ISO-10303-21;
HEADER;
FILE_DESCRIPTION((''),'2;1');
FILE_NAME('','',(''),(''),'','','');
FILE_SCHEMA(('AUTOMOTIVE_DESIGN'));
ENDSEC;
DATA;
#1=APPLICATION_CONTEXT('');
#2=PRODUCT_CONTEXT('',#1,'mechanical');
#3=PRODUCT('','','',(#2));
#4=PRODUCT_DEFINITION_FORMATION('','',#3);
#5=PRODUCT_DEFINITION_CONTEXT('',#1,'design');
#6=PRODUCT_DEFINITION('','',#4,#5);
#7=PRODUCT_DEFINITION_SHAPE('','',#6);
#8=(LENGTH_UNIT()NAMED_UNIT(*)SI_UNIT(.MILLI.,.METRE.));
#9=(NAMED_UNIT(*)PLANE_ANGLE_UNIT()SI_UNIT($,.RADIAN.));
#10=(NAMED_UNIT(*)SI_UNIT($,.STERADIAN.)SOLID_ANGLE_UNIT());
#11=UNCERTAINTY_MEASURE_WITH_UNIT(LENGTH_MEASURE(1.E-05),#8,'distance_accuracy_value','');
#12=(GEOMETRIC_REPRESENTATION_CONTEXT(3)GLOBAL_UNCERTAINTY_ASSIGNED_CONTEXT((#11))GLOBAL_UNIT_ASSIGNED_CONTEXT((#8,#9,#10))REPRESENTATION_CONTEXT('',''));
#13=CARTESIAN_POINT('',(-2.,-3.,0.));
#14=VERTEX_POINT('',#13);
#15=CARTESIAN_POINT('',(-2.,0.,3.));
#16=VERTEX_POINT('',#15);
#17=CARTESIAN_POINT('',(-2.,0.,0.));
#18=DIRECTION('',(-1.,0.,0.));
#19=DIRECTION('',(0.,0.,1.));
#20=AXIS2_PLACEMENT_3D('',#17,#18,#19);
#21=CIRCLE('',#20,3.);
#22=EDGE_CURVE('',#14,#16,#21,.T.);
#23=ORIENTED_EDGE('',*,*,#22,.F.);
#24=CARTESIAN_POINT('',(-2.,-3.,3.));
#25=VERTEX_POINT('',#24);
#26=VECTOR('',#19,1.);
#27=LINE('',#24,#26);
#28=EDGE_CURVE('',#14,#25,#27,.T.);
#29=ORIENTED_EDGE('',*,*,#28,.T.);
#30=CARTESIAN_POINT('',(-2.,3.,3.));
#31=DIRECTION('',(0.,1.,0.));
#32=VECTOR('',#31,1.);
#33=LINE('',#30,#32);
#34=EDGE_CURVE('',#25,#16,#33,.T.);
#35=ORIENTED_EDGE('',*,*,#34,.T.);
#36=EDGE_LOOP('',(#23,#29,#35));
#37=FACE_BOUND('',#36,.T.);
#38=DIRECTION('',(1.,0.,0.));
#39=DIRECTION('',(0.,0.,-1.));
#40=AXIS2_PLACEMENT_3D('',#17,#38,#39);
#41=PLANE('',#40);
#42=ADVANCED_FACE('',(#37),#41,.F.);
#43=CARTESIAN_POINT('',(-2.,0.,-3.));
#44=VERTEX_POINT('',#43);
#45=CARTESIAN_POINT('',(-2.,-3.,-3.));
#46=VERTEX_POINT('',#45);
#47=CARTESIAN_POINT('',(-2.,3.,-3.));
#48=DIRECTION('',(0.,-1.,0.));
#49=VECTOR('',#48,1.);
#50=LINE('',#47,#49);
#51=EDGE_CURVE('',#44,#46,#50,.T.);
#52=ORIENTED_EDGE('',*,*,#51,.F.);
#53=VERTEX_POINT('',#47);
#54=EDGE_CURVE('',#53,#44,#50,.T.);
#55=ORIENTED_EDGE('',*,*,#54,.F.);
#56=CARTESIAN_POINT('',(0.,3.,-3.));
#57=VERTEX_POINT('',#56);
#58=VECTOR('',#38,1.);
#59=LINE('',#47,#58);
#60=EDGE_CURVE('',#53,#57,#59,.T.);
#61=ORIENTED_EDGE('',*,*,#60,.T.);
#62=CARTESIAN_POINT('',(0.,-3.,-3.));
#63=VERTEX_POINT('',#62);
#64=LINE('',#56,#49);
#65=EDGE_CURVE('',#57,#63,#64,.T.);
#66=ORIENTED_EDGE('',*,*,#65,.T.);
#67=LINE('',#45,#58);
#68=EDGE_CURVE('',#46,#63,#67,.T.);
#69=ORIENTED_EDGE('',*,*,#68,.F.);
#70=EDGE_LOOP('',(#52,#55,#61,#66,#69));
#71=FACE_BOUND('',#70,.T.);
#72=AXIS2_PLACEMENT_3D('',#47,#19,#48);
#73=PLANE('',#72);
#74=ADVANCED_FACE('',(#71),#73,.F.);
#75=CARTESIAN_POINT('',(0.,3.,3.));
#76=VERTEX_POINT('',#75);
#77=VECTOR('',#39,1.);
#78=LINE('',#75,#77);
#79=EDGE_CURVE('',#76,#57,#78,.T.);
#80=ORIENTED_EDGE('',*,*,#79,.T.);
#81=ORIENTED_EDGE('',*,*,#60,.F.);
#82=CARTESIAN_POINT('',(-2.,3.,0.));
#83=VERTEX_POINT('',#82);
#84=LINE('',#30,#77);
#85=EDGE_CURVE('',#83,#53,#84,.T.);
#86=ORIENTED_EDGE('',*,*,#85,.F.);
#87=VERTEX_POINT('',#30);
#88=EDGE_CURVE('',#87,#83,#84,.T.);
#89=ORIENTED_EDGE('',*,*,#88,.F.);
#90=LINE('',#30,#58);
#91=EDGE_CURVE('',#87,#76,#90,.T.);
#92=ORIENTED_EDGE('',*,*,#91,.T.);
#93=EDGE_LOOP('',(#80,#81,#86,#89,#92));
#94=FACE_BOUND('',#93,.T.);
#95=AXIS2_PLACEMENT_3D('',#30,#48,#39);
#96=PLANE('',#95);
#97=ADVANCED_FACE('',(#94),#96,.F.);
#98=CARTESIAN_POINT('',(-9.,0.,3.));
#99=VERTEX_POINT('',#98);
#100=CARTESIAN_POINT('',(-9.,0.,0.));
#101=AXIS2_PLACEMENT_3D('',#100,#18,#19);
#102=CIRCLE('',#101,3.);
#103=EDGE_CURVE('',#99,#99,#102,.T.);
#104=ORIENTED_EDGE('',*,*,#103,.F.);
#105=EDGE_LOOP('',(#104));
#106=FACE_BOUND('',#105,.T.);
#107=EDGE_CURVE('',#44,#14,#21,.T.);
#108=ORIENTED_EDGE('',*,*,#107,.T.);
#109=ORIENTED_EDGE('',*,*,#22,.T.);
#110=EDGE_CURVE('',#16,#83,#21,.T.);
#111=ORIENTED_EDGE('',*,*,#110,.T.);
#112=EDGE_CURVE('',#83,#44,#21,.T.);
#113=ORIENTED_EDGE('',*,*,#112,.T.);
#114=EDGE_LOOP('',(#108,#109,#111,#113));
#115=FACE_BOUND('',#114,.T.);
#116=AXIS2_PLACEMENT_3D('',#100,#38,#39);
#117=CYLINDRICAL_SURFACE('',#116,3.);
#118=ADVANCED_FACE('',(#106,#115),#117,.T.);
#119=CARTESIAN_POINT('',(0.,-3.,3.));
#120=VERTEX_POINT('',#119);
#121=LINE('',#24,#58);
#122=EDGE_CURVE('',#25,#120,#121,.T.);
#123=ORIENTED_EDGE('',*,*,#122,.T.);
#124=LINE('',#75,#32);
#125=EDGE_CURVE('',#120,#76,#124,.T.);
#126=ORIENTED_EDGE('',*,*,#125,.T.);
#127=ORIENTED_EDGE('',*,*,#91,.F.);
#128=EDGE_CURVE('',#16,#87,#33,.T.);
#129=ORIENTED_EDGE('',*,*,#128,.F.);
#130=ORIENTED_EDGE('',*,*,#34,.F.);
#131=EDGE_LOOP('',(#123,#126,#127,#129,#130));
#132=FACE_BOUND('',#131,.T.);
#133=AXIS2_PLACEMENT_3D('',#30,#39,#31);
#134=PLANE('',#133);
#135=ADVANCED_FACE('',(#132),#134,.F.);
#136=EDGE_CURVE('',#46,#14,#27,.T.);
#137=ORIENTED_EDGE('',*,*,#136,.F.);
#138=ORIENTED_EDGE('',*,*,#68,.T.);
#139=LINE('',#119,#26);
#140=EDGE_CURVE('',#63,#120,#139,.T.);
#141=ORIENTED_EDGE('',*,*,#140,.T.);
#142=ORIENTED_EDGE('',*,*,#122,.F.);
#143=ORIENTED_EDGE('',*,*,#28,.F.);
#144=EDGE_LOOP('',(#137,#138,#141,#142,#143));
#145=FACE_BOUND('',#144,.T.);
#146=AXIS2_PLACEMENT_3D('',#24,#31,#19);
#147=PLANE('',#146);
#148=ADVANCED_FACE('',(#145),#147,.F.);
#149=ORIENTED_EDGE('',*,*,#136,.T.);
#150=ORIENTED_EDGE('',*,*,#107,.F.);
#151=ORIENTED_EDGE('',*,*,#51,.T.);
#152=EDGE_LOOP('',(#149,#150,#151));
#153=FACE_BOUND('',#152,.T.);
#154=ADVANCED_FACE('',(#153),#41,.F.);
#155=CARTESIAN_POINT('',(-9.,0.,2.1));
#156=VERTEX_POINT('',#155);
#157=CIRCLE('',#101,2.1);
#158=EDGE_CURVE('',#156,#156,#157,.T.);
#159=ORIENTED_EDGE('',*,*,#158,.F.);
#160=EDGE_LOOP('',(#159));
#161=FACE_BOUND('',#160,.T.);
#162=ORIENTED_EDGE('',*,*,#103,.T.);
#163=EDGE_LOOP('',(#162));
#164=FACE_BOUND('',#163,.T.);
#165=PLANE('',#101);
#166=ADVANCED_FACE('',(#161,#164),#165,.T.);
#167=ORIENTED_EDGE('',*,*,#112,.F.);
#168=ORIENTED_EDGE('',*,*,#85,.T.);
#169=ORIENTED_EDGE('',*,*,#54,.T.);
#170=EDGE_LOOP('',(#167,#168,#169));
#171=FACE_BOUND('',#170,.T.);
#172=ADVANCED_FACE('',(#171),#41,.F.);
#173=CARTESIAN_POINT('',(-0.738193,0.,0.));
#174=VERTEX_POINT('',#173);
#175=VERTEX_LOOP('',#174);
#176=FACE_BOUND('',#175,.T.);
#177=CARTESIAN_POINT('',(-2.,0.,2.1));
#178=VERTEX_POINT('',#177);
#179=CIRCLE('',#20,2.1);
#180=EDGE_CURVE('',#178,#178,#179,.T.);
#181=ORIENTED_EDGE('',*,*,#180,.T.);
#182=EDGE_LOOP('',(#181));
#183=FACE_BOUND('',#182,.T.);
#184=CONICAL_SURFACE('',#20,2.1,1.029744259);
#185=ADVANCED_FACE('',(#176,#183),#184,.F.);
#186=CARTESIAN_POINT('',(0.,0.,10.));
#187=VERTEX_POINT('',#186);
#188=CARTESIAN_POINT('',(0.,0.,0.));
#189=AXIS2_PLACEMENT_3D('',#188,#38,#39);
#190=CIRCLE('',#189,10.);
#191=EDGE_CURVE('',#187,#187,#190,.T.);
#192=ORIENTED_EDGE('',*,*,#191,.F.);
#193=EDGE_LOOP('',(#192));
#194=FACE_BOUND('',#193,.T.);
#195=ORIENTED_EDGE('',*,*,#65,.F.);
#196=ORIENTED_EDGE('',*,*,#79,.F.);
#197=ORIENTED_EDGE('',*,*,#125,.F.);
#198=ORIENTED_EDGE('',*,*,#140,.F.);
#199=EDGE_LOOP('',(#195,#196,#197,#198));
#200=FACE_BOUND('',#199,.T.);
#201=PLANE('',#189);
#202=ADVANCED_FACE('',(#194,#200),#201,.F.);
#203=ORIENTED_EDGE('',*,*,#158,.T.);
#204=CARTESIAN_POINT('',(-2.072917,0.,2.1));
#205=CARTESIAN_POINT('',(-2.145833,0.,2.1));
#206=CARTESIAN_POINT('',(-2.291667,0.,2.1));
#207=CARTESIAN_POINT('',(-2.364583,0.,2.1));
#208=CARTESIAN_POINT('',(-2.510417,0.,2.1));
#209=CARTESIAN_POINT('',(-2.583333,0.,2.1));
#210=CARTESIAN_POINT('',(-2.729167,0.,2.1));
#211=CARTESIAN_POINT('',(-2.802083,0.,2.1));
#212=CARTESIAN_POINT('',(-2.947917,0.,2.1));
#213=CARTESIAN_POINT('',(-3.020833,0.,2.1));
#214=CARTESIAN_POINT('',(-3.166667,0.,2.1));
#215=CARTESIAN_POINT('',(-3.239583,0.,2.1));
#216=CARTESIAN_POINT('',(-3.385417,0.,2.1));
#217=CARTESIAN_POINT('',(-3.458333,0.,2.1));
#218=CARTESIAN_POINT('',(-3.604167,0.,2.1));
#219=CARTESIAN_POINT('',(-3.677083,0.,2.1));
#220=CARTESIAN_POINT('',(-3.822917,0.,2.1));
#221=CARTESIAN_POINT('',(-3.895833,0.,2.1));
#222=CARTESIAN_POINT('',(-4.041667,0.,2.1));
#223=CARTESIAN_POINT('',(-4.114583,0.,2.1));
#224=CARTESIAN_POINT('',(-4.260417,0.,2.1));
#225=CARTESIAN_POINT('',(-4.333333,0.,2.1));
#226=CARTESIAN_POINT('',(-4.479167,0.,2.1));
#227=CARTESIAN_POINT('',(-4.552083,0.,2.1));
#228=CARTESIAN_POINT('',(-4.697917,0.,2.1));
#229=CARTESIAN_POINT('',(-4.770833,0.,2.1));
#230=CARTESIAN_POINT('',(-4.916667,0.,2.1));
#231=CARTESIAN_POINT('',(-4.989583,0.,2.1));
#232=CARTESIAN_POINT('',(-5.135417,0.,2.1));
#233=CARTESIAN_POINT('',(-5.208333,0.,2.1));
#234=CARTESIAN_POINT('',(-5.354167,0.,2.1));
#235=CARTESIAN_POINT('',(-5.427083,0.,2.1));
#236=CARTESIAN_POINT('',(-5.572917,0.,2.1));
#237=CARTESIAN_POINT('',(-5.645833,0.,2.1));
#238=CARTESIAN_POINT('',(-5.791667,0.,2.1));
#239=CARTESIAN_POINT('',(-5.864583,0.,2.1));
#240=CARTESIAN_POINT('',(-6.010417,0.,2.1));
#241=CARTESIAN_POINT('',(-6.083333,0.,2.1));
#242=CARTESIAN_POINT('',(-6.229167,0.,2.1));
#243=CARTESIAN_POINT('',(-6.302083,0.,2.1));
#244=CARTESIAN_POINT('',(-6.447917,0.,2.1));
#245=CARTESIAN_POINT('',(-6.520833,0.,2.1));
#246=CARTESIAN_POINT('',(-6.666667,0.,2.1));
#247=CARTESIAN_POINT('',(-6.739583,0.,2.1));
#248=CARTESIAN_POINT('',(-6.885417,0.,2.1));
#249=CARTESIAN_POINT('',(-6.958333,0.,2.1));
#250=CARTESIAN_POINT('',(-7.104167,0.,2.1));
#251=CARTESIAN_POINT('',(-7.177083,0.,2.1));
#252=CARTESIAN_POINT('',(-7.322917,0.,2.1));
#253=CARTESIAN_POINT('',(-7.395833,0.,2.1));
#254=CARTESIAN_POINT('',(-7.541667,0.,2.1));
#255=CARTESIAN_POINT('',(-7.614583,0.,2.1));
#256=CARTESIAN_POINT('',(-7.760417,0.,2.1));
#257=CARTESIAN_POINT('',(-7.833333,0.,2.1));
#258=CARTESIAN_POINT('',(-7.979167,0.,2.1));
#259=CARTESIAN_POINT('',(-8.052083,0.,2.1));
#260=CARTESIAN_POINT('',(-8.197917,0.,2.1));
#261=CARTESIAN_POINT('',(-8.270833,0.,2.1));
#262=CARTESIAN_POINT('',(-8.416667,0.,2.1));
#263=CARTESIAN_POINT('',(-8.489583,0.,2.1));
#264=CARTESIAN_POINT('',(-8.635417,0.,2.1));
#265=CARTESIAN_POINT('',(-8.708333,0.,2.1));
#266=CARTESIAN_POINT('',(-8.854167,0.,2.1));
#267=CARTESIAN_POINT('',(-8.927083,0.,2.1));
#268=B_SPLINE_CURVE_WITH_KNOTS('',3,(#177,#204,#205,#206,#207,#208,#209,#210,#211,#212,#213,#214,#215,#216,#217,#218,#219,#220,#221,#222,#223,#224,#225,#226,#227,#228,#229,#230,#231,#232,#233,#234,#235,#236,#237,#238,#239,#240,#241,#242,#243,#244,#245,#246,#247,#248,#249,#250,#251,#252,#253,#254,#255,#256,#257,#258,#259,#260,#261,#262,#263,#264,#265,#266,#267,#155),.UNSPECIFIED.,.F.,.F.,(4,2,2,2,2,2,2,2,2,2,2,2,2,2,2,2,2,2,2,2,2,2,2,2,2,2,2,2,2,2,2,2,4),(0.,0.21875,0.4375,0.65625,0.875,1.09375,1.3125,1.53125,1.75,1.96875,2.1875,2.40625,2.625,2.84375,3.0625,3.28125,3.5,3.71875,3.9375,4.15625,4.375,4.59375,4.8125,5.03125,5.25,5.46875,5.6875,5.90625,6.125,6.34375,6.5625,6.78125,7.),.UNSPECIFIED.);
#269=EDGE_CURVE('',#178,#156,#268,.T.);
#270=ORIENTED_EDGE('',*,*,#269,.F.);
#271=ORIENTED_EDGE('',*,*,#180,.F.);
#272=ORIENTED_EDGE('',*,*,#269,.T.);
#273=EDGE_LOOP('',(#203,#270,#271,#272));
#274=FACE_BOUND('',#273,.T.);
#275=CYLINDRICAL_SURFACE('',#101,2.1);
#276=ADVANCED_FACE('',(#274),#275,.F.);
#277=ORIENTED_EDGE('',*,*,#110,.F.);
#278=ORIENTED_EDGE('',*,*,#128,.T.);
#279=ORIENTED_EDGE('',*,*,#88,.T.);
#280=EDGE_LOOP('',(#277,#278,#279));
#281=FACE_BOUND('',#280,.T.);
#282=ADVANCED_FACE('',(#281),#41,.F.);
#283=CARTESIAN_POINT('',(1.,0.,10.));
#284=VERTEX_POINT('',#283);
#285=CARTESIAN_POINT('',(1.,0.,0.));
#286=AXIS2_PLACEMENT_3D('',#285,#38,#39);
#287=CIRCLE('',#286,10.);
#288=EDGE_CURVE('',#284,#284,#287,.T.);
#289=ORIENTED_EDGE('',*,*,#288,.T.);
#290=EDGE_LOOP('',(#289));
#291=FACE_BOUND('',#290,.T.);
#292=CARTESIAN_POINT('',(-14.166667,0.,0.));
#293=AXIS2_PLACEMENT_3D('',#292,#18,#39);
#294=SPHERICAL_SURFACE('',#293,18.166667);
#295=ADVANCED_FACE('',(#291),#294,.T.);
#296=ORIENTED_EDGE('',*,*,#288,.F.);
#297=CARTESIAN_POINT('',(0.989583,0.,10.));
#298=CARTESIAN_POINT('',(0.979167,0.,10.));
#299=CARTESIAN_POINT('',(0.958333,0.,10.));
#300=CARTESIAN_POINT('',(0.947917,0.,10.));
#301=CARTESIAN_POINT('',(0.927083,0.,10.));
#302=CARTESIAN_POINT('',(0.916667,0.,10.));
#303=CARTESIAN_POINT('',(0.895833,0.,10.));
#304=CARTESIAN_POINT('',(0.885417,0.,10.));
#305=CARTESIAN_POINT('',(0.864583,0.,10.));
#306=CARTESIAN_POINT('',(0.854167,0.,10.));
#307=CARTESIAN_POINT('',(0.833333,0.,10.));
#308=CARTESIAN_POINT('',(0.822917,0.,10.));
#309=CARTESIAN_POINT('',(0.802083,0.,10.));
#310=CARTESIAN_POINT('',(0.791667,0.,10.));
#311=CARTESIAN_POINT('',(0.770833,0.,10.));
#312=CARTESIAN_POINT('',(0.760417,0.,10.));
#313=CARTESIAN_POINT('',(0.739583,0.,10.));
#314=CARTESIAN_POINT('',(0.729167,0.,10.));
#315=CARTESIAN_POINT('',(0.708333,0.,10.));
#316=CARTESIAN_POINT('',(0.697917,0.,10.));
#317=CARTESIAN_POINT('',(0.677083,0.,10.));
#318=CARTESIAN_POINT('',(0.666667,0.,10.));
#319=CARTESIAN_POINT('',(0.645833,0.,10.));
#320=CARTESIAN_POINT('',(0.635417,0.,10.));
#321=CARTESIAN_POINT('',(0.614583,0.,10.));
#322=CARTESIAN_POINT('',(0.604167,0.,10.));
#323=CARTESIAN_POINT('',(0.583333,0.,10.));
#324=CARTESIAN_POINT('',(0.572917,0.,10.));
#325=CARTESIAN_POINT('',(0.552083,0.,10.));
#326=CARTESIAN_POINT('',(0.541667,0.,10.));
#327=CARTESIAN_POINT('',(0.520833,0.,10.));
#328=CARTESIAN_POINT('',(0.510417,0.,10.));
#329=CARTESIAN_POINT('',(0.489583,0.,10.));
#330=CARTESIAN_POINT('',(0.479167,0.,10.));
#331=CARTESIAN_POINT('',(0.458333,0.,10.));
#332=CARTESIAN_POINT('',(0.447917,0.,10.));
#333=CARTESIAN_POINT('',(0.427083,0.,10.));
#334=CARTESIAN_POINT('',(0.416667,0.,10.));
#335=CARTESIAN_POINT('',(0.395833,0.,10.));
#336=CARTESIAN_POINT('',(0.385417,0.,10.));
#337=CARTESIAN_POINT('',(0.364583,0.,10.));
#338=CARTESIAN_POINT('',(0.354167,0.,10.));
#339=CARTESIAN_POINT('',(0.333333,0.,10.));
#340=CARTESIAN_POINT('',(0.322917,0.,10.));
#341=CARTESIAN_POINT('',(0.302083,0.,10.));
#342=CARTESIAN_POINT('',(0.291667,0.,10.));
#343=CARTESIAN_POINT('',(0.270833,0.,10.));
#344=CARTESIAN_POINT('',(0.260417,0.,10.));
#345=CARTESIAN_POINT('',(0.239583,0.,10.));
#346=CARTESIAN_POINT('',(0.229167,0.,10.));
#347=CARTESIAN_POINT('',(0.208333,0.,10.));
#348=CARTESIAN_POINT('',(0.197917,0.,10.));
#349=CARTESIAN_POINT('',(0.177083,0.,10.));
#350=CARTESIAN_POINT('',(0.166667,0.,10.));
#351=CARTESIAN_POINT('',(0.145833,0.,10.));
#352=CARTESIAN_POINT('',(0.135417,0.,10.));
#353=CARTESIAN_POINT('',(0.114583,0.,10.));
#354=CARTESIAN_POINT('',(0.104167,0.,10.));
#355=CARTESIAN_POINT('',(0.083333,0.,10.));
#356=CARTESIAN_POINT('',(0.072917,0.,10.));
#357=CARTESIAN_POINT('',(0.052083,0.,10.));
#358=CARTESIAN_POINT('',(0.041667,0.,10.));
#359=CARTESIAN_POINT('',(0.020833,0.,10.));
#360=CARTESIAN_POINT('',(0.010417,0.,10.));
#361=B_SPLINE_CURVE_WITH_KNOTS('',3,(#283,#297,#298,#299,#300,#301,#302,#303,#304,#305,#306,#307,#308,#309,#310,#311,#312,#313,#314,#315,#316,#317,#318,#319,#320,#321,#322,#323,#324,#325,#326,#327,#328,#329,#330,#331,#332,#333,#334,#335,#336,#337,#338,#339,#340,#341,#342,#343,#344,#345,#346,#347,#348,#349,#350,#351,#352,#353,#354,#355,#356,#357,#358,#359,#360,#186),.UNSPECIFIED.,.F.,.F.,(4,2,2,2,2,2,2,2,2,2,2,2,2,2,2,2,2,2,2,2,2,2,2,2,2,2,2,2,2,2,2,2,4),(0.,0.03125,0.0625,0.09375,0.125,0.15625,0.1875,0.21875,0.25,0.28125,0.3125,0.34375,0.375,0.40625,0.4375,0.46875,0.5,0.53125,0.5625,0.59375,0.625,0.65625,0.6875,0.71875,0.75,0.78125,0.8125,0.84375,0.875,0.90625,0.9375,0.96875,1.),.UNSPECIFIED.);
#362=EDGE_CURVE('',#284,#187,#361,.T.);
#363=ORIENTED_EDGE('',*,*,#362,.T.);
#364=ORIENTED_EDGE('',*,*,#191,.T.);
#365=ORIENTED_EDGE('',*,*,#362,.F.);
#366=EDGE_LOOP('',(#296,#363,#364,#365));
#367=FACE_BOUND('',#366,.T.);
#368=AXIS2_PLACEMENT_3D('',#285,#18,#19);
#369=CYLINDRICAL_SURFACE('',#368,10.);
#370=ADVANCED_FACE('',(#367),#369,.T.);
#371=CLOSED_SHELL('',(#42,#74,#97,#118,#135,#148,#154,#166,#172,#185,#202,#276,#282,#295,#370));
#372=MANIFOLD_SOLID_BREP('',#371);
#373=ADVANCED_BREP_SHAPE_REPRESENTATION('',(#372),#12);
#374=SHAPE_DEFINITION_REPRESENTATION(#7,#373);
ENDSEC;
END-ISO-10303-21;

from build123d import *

# Parameters (mm, degrees)
SKETCH1_R             = 10
BOSS_EXTRUDE1_DEPTH   = 1
SKETCH3_W             = 6
SKETCH3_H             = 6
BOSS_EXTRUDE2_DEPTH   = 2
SKETCH4_R             = 3
BOSS_EXTRUDE3_DEPTH   = 7
M5_TAPPED_HOLE1_D     = 4.2
M5_TAPPED_HOLE1_DEPTH = 7
M5_TAPPED_HOLE1_TIP   = 1.2618073


with BuildPart() as part:
    # Sketch1 → Boss-Extrude1 (new body)
    with BuildSketch(Plane(origin=(0, 0, 0), x_dir=(0, 0, -1), z_dir=(1, 0, 0))):
        Circle(SKETCH1_R)
    extrude(amount=BOSS_EXTRUDE1_DEPTH)

    # Sketch2 → Revolve1 (revolve)
    with BuildSketch(Plane(origin=(0, 0, 0), x_dir=(1, 0, 0), z_dir=(0, 1, 0))):
        with BuildLine():
            Line((1, 0), (4, 0))
            ThreePointArc((4, 0), (3.233844182, 5.220153254), (1, 10))
            Line((1, 10), (1, 0))
        make_face()
    revolve(axis=Axis((1, 0, 0), (1, 0, 0)))

    # Sketch3 → Boss-Extrude2 (add)
    with BuildSketch(Plane.ZY):
        Rectangle(SKETCH3_W, SKETCH3_H)
    extrude(amount=BOSS_EXTRUDE2_DEPTH)

    # Sketch4 → Boss-Extrude3 (add)
    with BuildSketch(Plane.ZY.offset(2)):
        Circle(SKETCH4_R)
    extrude(amount=BOSS_EXTRUDE3_DEPTH)

    # M5 Tapped Hole1
    with Locations(Plane.ZY.offset(9)):
        with Locations((0, 0)):
            Hole(M5_TAPPED_HOLE1_D / 2, depth=M5_TAPPED_HOLE1_DEPTH)
            with Locations((0, 0, -(M5_TAPPED_HOLE1_DEPTH + M5_TAPPED_HOLE1_TIP / 2))):  # 118° drill point
                Cone(0, M5_TAPPED_HOLE1_D / 2, M5_TAPPED_HOLE1_TIP, mode=Mode.SUBTRACT)


solid = part.part
